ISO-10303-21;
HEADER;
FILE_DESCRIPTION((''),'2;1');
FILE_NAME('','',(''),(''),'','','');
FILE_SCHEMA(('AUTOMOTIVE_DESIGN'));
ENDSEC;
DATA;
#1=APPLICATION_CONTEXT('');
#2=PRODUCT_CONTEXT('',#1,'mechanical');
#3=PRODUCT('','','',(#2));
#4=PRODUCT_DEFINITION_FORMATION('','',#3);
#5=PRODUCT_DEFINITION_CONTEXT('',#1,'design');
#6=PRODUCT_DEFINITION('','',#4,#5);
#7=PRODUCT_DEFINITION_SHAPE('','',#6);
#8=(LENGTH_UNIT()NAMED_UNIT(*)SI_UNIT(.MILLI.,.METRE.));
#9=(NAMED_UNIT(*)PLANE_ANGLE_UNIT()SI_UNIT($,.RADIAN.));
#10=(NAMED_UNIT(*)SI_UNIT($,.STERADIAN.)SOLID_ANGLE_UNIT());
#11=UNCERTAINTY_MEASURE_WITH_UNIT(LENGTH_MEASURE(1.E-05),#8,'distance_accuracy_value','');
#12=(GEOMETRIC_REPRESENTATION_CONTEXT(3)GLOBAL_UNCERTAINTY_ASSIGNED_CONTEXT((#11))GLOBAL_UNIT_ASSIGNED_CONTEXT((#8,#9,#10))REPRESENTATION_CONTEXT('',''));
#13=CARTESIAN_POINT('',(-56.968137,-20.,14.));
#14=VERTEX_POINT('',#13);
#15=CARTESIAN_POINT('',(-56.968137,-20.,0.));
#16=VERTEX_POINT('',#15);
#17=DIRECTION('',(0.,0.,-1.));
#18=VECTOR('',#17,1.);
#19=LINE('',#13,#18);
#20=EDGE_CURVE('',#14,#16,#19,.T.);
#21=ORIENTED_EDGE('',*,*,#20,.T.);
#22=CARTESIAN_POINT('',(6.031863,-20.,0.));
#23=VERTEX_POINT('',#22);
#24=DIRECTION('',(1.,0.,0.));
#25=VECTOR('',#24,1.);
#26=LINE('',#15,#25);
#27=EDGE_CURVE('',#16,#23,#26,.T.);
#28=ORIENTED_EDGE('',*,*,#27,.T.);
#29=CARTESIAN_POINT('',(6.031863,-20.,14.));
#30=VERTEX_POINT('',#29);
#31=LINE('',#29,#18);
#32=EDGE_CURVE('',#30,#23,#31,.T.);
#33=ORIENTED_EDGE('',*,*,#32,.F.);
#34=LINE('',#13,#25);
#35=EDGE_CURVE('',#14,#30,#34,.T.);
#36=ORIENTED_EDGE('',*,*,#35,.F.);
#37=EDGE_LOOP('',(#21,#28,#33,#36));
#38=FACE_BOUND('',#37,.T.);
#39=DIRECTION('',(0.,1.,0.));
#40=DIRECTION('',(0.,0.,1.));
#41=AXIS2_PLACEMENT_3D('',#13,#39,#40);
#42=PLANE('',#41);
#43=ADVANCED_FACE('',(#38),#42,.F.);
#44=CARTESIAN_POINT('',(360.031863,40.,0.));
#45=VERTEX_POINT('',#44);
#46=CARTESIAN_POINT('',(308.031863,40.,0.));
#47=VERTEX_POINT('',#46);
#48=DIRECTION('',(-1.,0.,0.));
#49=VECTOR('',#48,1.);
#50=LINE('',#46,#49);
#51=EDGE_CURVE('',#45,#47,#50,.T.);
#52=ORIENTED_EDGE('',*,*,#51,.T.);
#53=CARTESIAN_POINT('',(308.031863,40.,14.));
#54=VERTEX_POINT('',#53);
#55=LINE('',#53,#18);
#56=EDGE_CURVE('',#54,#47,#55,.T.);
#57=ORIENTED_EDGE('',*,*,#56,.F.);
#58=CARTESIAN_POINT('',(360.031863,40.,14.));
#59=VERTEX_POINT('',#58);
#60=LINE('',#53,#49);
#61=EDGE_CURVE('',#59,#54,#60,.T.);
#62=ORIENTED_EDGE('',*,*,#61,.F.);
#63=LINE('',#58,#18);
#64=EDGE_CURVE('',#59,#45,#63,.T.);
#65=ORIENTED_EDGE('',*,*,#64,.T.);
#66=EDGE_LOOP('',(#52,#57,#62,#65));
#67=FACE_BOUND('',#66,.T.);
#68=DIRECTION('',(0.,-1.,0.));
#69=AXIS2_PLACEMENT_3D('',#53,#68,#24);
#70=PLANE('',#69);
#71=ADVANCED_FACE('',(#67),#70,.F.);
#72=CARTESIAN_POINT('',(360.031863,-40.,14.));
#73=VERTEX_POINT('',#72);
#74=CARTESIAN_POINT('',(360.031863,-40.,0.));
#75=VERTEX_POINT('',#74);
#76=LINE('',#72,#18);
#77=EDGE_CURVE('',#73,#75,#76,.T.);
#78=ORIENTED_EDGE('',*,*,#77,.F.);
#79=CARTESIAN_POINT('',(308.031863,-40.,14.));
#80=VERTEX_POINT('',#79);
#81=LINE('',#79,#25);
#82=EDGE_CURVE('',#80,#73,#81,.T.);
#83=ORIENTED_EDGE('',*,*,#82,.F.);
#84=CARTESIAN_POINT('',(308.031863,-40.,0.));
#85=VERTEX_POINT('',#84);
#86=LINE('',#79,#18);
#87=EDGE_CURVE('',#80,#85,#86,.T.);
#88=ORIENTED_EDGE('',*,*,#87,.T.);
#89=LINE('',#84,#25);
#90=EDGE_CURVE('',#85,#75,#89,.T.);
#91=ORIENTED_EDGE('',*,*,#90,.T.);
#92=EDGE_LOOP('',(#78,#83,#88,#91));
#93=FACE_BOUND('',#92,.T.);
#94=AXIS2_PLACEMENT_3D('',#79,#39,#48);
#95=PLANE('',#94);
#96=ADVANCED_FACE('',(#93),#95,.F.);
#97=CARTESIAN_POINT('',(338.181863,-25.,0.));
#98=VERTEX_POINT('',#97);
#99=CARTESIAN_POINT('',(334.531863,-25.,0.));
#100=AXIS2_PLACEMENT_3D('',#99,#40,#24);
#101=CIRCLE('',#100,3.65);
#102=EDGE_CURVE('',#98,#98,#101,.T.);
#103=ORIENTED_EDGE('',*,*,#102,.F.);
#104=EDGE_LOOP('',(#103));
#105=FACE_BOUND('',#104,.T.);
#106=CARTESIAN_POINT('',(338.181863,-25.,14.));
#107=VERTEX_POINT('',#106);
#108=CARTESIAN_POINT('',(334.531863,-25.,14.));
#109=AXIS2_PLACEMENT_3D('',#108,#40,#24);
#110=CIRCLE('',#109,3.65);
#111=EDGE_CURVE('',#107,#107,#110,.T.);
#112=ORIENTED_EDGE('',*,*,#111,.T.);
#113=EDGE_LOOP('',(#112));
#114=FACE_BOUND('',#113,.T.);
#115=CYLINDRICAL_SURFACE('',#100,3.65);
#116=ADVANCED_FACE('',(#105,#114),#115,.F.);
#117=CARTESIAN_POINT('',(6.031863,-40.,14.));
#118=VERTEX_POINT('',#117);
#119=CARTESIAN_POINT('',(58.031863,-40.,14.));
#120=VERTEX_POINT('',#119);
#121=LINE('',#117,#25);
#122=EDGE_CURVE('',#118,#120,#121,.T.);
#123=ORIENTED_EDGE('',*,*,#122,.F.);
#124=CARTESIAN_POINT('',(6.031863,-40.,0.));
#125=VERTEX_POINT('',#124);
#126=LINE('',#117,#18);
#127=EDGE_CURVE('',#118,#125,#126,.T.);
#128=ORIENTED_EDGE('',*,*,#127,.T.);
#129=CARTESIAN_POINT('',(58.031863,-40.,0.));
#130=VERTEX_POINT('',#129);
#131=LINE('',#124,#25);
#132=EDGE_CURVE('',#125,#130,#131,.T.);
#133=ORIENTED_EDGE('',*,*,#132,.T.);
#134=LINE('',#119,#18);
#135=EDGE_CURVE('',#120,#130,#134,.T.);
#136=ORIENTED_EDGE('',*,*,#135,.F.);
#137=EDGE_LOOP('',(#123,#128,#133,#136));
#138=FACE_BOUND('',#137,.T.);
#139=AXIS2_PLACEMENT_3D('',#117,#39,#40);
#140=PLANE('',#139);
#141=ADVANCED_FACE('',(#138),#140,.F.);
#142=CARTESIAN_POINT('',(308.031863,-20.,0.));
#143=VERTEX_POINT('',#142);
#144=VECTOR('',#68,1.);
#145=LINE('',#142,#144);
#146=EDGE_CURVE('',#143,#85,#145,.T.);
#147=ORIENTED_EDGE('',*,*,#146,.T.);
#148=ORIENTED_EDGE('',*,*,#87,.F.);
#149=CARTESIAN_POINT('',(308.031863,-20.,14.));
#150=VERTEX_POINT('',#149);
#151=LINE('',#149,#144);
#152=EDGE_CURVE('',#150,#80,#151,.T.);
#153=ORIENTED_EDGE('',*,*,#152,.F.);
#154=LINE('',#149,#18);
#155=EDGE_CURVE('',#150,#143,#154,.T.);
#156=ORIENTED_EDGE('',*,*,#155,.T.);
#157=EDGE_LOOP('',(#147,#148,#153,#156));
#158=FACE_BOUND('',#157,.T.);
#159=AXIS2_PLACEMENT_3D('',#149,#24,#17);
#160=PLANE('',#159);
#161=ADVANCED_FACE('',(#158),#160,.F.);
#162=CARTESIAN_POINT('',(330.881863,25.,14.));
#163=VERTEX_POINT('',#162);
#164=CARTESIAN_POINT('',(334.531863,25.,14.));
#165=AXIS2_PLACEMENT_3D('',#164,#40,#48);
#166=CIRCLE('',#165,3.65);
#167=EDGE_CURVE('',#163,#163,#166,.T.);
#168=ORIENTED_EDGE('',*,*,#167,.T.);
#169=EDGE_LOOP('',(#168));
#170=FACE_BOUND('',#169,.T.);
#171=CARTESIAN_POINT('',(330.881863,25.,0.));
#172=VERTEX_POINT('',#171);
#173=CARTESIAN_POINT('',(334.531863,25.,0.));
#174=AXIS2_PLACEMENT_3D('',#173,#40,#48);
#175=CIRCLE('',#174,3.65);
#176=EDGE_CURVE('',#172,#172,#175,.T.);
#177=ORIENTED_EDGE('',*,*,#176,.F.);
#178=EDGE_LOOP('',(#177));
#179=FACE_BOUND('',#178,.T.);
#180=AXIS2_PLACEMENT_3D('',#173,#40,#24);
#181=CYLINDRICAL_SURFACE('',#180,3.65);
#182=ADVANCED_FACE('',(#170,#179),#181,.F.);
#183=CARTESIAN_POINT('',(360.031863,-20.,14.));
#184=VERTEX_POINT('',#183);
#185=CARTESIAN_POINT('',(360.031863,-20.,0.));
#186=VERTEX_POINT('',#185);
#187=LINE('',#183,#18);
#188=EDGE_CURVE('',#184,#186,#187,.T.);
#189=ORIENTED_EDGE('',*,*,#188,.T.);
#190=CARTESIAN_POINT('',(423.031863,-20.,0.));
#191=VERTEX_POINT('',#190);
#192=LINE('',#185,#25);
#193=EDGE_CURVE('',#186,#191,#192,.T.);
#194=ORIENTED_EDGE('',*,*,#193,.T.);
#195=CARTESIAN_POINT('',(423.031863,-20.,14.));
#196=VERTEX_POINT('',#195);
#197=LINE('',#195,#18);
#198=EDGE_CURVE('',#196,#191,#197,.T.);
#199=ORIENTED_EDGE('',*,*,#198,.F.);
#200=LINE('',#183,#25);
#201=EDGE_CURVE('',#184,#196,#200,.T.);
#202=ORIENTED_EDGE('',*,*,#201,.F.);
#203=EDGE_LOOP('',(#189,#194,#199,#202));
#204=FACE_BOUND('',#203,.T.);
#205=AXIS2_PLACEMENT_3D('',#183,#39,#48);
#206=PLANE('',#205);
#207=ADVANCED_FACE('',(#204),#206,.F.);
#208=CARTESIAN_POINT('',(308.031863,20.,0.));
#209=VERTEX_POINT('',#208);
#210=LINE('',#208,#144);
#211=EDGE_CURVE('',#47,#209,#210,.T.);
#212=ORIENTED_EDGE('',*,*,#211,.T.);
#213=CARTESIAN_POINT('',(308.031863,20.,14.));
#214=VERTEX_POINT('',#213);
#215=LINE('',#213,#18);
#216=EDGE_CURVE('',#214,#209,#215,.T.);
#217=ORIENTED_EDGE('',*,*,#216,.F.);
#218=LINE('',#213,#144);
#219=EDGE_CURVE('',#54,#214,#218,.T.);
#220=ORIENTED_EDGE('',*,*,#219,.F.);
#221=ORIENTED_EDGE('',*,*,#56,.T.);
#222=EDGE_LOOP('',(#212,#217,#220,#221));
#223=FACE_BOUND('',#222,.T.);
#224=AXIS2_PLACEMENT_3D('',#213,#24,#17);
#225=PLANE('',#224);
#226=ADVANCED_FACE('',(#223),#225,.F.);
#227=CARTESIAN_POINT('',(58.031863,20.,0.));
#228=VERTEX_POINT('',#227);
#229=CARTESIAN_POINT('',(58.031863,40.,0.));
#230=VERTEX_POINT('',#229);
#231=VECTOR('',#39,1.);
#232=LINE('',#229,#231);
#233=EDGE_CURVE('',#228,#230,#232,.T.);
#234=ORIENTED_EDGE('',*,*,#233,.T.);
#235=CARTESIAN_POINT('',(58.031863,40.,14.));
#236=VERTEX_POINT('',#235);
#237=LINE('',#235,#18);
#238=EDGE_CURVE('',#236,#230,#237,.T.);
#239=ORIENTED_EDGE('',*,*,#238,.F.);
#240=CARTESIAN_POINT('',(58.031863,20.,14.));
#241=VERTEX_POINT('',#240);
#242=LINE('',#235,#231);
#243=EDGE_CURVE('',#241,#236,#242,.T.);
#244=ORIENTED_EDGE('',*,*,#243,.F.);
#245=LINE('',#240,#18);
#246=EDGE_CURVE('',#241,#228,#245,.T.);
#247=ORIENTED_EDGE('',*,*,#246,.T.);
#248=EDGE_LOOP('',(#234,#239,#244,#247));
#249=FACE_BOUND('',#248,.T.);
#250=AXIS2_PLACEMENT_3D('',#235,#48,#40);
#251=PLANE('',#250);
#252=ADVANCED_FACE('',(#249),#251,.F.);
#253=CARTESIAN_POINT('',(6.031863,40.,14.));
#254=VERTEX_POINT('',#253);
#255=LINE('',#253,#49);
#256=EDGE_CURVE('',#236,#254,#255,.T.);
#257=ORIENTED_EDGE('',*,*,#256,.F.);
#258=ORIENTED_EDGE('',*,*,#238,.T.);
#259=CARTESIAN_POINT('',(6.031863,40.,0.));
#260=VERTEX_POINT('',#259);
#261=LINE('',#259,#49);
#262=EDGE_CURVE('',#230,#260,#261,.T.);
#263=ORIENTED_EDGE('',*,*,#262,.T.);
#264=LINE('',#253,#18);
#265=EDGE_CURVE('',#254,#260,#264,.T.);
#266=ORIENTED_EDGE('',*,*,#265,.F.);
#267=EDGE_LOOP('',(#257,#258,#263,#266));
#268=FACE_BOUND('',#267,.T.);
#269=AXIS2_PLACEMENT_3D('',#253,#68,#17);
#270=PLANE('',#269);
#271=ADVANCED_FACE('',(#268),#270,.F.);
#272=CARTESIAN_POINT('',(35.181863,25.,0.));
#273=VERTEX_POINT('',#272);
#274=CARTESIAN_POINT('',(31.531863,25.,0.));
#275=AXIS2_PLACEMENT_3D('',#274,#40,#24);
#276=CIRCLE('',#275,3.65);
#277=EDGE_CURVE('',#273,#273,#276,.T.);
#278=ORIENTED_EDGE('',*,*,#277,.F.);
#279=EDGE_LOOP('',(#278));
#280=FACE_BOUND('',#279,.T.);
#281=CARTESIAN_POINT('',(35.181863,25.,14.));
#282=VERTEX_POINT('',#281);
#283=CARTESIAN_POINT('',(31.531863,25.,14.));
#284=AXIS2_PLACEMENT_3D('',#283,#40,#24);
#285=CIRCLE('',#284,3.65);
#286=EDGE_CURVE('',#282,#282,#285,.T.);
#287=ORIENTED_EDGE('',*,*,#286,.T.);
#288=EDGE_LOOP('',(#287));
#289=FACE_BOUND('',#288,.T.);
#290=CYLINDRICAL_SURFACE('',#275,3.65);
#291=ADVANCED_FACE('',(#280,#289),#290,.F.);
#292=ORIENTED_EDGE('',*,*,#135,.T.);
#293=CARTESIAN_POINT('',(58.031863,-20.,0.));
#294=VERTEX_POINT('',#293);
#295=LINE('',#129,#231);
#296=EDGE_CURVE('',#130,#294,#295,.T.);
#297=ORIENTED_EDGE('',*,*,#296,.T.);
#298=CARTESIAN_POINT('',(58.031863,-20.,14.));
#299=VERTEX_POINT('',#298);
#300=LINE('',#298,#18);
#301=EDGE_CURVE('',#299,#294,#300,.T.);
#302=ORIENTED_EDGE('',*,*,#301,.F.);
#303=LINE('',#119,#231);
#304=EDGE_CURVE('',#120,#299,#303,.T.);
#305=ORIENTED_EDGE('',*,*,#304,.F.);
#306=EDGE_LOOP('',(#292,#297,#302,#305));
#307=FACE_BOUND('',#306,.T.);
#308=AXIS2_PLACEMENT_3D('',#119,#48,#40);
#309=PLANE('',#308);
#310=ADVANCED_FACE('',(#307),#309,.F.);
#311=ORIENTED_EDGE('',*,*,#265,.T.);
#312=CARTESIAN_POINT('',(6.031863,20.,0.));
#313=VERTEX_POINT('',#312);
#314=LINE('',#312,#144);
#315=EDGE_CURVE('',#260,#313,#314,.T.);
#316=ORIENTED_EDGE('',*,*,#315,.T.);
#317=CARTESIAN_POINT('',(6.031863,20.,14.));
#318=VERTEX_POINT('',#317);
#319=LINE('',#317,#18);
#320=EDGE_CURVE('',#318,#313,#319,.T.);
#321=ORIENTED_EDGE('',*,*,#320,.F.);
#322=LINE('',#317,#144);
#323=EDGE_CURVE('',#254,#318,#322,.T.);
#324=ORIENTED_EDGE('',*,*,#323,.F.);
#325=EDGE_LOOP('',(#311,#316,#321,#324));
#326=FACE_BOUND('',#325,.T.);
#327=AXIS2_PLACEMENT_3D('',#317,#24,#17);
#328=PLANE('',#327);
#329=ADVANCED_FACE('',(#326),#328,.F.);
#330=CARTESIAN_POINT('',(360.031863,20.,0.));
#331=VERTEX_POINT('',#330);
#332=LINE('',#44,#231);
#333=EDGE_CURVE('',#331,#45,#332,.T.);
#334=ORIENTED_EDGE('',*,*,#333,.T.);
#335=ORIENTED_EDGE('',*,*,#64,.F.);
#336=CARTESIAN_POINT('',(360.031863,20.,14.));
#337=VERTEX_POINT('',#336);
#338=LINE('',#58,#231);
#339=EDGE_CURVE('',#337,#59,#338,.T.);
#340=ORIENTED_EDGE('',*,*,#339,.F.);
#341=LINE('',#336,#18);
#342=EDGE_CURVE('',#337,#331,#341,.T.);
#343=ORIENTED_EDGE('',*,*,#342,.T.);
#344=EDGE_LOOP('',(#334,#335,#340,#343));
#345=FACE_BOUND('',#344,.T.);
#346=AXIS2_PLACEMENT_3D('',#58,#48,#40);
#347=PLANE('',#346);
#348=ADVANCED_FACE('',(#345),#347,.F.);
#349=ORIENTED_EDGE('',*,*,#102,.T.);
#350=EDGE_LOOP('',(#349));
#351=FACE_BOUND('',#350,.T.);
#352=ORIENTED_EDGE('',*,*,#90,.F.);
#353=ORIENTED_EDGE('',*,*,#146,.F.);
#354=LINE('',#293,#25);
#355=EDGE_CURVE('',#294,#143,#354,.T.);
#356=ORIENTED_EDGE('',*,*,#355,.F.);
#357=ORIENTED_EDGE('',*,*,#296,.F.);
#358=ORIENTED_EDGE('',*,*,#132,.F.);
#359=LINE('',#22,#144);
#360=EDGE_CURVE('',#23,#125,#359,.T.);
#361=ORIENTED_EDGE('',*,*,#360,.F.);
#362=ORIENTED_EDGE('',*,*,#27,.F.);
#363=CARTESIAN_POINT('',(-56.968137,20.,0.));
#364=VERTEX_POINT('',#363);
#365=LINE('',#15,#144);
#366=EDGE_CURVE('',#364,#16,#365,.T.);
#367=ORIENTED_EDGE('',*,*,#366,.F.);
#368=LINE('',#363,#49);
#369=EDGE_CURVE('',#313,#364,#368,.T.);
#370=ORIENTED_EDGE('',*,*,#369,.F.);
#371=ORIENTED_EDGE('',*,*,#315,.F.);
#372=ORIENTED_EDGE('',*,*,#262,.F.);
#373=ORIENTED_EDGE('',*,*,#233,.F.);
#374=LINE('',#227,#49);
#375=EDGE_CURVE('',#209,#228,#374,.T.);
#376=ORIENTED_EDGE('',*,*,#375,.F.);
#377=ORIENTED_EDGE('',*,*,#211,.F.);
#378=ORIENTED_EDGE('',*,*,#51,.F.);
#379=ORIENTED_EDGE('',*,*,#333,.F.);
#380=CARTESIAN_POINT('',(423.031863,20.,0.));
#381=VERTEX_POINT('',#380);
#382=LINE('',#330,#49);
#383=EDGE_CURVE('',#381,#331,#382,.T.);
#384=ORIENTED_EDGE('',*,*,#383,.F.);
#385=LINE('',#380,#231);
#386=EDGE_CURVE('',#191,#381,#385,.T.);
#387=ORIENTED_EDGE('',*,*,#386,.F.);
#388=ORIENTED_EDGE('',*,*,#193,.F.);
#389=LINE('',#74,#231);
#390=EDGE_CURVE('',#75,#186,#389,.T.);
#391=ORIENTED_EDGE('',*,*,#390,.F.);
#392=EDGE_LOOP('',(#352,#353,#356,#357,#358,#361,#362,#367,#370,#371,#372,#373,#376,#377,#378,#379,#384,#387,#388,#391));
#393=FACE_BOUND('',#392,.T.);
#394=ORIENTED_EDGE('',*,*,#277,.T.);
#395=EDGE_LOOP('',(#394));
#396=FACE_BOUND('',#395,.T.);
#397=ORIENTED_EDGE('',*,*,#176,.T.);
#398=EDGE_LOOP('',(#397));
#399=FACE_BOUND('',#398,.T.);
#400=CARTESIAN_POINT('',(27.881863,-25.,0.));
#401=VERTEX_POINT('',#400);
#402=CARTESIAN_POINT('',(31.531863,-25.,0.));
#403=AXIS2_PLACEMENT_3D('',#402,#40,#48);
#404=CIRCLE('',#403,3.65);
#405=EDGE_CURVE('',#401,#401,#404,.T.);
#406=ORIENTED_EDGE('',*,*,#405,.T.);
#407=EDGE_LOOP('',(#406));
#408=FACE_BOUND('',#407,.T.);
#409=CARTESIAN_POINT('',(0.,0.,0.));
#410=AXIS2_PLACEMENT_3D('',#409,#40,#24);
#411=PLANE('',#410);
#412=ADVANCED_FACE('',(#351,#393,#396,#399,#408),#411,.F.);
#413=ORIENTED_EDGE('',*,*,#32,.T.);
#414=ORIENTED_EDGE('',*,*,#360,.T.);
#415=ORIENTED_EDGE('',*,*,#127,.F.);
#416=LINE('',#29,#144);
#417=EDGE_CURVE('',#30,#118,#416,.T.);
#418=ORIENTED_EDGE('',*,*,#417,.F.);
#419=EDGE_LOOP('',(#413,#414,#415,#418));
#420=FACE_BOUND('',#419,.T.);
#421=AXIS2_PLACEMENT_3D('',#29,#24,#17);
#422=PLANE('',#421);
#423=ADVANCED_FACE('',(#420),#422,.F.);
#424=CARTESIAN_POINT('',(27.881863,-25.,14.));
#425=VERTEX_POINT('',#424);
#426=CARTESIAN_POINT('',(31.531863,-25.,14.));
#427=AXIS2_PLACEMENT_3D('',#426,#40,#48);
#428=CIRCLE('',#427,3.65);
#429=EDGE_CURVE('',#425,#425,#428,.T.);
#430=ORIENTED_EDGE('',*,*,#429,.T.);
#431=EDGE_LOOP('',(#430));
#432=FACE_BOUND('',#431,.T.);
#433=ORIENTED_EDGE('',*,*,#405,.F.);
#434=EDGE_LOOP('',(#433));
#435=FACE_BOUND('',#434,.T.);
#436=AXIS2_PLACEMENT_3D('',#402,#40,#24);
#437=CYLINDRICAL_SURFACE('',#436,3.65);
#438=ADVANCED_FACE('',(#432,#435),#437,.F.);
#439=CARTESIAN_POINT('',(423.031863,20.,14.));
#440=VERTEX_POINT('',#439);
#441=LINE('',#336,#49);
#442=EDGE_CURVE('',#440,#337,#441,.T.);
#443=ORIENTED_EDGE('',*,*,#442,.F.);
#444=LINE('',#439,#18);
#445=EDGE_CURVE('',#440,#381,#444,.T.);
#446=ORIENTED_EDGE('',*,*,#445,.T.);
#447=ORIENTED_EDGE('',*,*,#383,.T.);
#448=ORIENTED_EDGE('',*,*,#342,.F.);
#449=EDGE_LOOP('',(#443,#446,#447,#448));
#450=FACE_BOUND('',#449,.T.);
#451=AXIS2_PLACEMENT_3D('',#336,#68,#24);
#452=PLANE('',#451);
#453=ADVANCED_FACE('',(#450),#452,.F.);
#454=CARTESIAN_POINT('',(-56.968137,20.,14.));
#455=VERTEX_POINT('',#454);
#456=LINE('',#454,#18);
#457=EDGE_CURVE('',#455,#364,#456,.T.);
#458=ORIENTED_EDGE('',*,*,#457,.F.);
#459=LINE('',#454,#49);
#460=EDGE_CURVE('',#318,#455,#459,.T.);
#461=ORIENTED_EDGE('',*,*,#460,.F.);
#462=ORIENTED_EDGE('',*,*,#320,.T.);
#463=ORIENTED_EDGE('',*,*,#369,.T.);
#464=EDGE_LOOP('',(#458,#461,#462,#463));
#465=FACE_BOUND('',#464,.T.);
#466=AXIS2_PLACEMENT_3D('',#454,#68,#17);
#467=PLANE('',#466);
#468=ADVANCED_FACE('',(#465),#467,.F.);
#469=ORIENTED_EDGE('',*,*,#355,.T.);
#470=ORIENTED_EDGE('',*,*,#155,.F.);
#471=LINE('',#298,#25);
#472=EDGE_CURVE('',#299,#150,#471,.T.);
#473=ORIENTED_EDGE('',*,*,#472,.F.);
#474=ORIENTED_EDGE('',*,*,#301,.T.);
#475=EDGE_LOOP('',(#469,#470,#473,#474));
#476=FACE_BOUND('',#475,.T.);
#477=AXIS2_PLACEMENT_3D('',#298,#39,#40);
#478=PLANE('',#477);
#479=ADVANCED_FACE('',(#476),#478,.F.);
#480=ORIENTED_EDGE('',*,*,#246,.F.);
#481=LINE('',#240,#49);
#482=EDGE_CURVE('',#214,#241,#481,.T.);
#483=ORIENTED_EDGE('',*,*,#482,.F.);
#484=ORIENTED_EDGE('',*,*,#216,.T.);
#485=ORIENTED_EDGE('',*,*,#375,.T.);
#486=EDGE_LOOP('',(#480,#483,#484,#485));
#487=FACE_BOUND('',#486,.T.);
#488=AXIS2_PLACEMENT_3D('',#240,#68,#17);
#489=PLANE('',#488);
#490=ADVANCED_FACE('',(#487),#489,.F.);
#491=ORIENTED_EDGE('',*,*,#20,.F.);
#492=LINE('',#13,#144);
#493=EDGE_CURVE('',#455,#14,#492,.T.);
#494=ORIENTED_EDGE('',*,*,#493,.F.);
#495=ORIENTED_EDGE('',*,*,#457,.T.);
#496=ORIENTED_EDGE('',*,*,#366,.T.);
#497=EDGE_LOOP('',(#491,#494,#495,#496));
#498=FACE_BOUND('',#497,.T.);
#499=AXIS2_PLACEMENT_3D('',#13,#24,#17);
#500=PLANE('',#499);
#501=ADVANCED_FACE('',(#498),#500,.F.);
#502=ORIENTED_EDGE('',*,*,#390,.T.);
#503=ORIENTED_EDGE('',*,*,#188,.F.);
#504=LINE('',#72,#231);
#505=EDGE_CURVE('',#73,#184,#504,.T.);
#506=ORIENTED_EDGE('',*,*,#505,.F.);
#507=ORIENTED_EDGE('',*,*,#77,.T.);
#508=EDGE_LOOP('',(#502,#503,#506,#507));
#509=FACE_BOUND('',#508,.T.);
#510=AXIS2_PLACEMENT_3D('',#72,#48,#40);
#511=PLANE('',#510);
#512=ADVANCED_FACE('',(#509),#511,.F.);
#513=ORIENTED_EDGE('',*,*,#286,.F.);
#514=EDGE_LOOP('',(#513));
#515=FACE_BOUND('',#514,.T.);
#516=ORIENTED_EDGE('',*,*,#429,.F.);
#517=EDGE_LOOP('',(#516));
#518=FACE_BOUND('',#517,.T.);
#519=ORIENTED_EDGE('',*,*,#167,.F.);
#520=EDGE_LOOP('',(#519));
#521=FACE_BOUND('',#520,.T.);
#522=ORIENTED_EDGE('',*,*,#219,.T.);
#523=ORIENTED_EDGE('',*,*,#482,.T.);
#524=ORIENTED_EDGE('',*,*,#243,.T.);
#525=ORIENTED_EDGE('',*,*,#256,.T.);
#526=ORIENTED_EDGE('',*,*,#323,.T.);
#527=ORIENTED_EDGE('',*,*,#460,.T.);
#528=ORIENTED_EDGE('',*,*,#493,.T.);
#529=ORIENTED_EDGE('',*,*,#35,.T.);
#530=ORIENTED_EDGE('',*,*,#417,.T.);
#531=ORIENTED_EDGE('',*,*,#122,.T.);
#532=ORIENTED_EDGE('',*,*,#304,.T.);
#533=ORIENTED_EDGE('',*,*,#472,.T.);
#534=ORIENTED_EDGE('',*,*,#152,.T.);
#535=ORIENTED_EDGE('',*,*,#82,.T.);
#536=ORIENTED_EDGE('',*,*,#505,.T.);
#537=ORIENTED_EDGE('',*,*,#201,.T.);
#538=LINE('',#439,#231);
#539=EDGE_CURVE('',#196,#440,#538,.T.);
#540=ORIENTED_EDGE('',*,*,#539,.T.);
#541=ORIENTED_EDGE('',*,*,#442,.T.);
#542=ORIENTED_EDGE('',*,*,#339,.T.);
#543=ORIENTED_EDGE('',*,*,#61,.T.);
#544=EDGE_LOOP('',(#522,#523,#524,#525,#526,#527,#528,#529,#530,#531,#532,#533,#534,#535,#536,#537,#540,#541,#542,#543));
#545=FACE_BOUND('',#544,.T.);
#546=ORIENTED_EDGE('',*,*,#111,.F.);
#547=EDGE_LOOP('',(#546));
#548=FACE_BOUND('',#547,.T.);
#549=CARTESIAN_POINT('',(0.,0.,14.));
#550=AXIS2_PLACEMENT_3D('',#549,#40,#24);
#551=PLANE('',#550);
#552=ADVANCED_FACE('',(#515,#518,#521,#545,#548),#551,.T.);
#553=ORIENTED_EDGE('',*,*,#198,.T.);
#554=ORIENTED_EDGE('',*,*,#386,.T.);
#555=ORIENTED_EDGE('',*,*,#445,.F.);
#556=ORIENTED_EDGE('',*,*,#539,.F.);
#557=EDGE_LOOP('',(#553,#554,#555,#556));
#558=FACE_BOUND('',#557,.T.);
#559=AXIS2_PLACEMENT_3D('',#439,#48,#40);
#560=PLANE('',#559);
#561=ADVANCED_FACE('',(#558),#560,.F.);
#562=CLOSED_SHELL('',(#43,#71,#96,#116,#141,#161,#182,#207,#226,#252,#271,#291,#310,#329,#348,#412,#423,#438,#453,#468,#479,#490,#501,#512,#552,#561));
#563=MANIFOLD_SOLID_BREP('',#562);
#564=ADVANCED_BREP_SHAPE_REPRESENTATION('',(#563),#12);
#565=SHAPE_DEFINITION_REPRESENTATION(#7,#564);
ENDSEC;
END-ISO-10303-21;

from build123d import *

# Parameters (mm, degrees)
BOSS_EXTRUDE1_DEPTH = 14
SKETCH3_R           = 3.65
CUT_EXTRUDE1_DEPTH  = 14


with BuildPart() as part:
    # Sketch2 → Boss-Extrude1 (new body)
    with BuildSketch(Plane.XY):
        Polygon((-56.968136793, -20), (-56.968136793, 20), (6.031863207, 20), (6.031863207, 40), (58.031863207, 40), (58.031863207, 20), (308.031863207, 20), (308.031863207, 40), (360.031863207, 40), (360.031863207, 20), (423.031863207, 20), (423.031863207, -20), (360.031863207, -20), (360.031863207, -40), (308.031863207, -40), (308.031863207, -20), (58.031863207, -20), (58.031863207, -40), (6.031863207, -40), (6.031863207, -20), align=None)
    extrude(amount=BOSS_EXTRUDE1_DEPTH)

    # Sketch3 → Cut-Extrude1 (cut)
    with BuildSketch(Plane.XY.offset(14)):
        with Locations((31.531863207, 25)):
            Circle(SKETCH3_R)
        with Locations(Location((31.531863207, -25, 0), (0, 0, 180))):
            Circle(SKETCH3_R)
        with Locations((334.531863207, -25)):
            Circle(SKETCH3_R)
        with Locations(Location((334.531863207, 25, 0), (0, 0, 180))):
            Circle(SKETCH3_R)
    extrude(amount=-CUT_EXTRUDE1_DEPTH, mode=Mode.SUBTRACT)


solid = part.part
